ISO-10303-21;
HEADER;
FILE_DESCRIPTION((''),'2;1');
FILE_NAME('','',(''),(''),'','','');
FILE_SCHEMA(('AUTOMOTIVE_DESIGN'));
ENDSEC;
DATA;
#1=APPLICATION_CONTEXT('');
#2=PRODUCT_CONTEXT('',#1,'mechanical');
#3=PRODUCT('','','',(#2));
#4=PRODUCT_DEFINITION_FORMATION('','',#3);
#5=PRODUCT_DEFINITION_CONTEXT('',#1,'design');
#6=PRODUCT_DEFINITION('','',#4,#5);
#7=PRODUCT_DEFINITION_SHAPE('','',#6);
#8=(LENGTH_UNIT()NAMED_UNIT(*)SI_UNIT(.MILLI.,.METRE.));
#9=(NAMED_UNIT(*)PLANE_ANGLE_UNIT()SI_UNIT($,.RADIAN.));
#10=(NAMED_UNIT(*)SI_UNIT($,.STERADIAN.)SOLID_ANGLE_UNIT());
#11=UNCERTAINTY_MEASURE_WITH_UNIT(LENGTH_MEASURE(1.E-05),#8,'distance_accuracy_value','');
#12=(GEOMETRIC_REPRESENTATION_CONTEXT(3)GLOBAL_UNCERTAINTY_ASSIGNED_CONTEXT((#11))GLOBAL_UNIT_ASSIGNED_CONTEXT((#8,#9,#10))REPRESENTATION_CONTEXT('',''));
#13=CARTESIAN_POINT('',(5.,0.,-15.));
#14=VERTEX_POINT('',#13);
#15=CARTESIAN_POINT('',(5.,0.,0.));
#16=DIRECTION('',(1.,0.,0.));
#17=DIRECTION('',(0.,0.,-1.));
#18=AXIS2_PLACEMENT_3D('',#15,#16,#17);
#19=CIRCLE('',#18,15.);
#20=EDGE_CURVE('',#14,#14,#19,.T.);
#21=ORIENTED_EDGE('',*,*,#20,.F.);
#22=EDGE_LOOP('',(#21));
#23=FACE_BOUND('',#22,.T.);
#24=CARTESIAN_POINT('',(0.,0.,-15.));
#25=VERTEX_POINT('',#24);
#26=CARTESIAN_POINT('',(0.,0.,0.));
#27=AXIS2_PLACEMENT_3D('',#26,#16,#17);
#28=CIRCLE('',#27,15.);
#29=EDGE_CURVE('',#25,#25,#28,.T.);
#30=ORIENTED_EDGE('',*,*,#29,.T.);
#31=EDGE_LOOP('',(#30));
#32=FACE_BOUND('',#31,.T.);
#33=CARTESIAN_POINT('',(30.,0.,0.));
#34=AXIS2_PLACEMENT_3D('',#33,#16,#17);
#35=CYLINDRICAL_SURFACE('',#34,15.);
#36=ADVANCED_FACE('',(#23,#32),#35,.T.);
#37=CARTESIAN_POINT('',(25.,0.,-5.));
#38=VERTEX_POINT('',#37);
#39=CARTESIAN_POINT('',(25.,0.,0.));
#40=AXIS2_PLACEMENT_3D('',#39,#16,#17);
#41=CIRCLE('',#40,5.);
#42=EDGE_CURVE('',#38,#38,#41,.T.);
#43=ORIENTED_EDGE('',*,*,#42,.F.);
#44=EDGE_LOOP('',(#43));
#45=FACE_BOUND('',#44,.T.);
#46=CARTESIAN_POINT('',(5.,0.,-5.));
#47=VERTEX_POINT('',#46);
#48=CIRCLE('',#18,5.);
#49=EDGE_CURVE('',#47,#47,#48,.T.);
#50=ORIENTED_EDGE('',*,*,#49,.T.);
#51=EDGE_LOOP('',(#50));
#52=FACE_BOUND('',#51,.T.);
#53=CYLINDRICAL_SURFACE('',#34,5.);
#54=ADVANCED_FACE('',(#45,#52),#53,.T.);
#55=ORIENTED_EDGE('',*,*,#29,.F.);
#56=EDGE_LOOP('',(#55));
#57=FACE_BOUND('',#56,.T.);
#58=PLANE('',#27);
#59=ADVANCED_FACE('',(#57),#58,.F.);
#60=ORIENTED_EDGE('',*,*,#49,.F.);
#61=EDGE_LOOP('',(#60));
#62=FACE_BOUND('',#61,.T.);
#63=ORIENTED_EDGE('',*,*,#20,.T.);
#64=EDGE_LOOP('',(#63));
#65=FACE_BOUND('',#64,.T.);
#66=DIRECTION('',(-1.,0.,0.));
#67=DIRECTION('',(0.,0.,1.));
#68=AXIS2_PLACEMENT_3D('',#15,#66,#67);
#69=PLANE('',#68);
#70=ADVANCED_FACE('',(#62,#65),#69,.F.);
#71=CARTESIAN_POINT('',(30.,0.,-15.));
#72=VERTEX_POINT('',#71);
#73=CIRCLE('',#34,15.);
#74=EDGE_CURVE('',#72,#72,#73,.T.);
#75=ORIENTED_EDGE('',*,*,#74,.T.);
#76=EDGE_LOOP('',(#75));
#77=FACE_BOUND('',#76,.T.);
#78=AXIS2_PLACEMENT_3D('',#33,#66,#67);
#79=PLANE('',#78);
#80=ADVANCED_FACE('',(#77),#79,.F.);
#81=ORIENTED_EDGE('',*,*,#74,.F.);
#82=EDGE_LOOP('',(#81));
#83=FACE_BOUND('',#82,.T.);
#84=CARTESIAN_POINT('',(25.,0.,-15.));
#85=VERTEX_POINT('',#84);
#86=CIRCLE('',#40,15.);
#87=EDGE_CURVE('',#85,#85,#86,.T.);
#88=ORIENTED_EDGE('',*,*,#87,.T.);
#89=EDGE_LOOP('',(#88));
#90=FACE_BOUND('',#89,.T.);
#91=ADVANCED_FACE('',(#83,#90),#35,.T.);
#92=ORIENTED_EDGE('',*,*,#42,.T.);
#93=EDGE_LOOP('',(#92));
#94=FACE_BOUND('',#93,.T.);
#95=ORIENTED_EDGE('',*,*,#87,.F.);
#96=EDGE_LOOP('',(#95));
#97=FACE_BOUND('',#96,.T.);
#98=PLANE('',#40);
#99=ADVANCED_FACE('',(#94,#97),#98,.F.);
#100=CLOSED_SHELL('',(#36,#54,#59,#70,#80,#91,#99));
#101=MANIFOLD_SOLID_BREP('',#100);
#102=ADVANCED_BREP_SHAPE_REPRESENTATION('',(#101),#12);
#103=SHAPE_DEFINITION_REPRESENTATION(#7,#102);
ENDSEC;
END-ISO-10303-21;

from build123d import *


with BuildPart() as part:
    # Croquis1 → Revolución1 (revolve)
    with BuildSketch(Plane.XY, mode=Mode.PRIVATE) as revoluci_n1_sk:
        Polygon((0, 0), (0, 15), (5, 15), (5, 5), (25, 5), (25, 15), (30, 15), (30, 0), align=None)
    revolve(revoluci_n1_sk.sketch.rotate(Axis((30, 0, 0), (-1, 0, 0)), 90), axis=Axis((30, 0, 0), (-1, 0, 0)))


solid = part.part
